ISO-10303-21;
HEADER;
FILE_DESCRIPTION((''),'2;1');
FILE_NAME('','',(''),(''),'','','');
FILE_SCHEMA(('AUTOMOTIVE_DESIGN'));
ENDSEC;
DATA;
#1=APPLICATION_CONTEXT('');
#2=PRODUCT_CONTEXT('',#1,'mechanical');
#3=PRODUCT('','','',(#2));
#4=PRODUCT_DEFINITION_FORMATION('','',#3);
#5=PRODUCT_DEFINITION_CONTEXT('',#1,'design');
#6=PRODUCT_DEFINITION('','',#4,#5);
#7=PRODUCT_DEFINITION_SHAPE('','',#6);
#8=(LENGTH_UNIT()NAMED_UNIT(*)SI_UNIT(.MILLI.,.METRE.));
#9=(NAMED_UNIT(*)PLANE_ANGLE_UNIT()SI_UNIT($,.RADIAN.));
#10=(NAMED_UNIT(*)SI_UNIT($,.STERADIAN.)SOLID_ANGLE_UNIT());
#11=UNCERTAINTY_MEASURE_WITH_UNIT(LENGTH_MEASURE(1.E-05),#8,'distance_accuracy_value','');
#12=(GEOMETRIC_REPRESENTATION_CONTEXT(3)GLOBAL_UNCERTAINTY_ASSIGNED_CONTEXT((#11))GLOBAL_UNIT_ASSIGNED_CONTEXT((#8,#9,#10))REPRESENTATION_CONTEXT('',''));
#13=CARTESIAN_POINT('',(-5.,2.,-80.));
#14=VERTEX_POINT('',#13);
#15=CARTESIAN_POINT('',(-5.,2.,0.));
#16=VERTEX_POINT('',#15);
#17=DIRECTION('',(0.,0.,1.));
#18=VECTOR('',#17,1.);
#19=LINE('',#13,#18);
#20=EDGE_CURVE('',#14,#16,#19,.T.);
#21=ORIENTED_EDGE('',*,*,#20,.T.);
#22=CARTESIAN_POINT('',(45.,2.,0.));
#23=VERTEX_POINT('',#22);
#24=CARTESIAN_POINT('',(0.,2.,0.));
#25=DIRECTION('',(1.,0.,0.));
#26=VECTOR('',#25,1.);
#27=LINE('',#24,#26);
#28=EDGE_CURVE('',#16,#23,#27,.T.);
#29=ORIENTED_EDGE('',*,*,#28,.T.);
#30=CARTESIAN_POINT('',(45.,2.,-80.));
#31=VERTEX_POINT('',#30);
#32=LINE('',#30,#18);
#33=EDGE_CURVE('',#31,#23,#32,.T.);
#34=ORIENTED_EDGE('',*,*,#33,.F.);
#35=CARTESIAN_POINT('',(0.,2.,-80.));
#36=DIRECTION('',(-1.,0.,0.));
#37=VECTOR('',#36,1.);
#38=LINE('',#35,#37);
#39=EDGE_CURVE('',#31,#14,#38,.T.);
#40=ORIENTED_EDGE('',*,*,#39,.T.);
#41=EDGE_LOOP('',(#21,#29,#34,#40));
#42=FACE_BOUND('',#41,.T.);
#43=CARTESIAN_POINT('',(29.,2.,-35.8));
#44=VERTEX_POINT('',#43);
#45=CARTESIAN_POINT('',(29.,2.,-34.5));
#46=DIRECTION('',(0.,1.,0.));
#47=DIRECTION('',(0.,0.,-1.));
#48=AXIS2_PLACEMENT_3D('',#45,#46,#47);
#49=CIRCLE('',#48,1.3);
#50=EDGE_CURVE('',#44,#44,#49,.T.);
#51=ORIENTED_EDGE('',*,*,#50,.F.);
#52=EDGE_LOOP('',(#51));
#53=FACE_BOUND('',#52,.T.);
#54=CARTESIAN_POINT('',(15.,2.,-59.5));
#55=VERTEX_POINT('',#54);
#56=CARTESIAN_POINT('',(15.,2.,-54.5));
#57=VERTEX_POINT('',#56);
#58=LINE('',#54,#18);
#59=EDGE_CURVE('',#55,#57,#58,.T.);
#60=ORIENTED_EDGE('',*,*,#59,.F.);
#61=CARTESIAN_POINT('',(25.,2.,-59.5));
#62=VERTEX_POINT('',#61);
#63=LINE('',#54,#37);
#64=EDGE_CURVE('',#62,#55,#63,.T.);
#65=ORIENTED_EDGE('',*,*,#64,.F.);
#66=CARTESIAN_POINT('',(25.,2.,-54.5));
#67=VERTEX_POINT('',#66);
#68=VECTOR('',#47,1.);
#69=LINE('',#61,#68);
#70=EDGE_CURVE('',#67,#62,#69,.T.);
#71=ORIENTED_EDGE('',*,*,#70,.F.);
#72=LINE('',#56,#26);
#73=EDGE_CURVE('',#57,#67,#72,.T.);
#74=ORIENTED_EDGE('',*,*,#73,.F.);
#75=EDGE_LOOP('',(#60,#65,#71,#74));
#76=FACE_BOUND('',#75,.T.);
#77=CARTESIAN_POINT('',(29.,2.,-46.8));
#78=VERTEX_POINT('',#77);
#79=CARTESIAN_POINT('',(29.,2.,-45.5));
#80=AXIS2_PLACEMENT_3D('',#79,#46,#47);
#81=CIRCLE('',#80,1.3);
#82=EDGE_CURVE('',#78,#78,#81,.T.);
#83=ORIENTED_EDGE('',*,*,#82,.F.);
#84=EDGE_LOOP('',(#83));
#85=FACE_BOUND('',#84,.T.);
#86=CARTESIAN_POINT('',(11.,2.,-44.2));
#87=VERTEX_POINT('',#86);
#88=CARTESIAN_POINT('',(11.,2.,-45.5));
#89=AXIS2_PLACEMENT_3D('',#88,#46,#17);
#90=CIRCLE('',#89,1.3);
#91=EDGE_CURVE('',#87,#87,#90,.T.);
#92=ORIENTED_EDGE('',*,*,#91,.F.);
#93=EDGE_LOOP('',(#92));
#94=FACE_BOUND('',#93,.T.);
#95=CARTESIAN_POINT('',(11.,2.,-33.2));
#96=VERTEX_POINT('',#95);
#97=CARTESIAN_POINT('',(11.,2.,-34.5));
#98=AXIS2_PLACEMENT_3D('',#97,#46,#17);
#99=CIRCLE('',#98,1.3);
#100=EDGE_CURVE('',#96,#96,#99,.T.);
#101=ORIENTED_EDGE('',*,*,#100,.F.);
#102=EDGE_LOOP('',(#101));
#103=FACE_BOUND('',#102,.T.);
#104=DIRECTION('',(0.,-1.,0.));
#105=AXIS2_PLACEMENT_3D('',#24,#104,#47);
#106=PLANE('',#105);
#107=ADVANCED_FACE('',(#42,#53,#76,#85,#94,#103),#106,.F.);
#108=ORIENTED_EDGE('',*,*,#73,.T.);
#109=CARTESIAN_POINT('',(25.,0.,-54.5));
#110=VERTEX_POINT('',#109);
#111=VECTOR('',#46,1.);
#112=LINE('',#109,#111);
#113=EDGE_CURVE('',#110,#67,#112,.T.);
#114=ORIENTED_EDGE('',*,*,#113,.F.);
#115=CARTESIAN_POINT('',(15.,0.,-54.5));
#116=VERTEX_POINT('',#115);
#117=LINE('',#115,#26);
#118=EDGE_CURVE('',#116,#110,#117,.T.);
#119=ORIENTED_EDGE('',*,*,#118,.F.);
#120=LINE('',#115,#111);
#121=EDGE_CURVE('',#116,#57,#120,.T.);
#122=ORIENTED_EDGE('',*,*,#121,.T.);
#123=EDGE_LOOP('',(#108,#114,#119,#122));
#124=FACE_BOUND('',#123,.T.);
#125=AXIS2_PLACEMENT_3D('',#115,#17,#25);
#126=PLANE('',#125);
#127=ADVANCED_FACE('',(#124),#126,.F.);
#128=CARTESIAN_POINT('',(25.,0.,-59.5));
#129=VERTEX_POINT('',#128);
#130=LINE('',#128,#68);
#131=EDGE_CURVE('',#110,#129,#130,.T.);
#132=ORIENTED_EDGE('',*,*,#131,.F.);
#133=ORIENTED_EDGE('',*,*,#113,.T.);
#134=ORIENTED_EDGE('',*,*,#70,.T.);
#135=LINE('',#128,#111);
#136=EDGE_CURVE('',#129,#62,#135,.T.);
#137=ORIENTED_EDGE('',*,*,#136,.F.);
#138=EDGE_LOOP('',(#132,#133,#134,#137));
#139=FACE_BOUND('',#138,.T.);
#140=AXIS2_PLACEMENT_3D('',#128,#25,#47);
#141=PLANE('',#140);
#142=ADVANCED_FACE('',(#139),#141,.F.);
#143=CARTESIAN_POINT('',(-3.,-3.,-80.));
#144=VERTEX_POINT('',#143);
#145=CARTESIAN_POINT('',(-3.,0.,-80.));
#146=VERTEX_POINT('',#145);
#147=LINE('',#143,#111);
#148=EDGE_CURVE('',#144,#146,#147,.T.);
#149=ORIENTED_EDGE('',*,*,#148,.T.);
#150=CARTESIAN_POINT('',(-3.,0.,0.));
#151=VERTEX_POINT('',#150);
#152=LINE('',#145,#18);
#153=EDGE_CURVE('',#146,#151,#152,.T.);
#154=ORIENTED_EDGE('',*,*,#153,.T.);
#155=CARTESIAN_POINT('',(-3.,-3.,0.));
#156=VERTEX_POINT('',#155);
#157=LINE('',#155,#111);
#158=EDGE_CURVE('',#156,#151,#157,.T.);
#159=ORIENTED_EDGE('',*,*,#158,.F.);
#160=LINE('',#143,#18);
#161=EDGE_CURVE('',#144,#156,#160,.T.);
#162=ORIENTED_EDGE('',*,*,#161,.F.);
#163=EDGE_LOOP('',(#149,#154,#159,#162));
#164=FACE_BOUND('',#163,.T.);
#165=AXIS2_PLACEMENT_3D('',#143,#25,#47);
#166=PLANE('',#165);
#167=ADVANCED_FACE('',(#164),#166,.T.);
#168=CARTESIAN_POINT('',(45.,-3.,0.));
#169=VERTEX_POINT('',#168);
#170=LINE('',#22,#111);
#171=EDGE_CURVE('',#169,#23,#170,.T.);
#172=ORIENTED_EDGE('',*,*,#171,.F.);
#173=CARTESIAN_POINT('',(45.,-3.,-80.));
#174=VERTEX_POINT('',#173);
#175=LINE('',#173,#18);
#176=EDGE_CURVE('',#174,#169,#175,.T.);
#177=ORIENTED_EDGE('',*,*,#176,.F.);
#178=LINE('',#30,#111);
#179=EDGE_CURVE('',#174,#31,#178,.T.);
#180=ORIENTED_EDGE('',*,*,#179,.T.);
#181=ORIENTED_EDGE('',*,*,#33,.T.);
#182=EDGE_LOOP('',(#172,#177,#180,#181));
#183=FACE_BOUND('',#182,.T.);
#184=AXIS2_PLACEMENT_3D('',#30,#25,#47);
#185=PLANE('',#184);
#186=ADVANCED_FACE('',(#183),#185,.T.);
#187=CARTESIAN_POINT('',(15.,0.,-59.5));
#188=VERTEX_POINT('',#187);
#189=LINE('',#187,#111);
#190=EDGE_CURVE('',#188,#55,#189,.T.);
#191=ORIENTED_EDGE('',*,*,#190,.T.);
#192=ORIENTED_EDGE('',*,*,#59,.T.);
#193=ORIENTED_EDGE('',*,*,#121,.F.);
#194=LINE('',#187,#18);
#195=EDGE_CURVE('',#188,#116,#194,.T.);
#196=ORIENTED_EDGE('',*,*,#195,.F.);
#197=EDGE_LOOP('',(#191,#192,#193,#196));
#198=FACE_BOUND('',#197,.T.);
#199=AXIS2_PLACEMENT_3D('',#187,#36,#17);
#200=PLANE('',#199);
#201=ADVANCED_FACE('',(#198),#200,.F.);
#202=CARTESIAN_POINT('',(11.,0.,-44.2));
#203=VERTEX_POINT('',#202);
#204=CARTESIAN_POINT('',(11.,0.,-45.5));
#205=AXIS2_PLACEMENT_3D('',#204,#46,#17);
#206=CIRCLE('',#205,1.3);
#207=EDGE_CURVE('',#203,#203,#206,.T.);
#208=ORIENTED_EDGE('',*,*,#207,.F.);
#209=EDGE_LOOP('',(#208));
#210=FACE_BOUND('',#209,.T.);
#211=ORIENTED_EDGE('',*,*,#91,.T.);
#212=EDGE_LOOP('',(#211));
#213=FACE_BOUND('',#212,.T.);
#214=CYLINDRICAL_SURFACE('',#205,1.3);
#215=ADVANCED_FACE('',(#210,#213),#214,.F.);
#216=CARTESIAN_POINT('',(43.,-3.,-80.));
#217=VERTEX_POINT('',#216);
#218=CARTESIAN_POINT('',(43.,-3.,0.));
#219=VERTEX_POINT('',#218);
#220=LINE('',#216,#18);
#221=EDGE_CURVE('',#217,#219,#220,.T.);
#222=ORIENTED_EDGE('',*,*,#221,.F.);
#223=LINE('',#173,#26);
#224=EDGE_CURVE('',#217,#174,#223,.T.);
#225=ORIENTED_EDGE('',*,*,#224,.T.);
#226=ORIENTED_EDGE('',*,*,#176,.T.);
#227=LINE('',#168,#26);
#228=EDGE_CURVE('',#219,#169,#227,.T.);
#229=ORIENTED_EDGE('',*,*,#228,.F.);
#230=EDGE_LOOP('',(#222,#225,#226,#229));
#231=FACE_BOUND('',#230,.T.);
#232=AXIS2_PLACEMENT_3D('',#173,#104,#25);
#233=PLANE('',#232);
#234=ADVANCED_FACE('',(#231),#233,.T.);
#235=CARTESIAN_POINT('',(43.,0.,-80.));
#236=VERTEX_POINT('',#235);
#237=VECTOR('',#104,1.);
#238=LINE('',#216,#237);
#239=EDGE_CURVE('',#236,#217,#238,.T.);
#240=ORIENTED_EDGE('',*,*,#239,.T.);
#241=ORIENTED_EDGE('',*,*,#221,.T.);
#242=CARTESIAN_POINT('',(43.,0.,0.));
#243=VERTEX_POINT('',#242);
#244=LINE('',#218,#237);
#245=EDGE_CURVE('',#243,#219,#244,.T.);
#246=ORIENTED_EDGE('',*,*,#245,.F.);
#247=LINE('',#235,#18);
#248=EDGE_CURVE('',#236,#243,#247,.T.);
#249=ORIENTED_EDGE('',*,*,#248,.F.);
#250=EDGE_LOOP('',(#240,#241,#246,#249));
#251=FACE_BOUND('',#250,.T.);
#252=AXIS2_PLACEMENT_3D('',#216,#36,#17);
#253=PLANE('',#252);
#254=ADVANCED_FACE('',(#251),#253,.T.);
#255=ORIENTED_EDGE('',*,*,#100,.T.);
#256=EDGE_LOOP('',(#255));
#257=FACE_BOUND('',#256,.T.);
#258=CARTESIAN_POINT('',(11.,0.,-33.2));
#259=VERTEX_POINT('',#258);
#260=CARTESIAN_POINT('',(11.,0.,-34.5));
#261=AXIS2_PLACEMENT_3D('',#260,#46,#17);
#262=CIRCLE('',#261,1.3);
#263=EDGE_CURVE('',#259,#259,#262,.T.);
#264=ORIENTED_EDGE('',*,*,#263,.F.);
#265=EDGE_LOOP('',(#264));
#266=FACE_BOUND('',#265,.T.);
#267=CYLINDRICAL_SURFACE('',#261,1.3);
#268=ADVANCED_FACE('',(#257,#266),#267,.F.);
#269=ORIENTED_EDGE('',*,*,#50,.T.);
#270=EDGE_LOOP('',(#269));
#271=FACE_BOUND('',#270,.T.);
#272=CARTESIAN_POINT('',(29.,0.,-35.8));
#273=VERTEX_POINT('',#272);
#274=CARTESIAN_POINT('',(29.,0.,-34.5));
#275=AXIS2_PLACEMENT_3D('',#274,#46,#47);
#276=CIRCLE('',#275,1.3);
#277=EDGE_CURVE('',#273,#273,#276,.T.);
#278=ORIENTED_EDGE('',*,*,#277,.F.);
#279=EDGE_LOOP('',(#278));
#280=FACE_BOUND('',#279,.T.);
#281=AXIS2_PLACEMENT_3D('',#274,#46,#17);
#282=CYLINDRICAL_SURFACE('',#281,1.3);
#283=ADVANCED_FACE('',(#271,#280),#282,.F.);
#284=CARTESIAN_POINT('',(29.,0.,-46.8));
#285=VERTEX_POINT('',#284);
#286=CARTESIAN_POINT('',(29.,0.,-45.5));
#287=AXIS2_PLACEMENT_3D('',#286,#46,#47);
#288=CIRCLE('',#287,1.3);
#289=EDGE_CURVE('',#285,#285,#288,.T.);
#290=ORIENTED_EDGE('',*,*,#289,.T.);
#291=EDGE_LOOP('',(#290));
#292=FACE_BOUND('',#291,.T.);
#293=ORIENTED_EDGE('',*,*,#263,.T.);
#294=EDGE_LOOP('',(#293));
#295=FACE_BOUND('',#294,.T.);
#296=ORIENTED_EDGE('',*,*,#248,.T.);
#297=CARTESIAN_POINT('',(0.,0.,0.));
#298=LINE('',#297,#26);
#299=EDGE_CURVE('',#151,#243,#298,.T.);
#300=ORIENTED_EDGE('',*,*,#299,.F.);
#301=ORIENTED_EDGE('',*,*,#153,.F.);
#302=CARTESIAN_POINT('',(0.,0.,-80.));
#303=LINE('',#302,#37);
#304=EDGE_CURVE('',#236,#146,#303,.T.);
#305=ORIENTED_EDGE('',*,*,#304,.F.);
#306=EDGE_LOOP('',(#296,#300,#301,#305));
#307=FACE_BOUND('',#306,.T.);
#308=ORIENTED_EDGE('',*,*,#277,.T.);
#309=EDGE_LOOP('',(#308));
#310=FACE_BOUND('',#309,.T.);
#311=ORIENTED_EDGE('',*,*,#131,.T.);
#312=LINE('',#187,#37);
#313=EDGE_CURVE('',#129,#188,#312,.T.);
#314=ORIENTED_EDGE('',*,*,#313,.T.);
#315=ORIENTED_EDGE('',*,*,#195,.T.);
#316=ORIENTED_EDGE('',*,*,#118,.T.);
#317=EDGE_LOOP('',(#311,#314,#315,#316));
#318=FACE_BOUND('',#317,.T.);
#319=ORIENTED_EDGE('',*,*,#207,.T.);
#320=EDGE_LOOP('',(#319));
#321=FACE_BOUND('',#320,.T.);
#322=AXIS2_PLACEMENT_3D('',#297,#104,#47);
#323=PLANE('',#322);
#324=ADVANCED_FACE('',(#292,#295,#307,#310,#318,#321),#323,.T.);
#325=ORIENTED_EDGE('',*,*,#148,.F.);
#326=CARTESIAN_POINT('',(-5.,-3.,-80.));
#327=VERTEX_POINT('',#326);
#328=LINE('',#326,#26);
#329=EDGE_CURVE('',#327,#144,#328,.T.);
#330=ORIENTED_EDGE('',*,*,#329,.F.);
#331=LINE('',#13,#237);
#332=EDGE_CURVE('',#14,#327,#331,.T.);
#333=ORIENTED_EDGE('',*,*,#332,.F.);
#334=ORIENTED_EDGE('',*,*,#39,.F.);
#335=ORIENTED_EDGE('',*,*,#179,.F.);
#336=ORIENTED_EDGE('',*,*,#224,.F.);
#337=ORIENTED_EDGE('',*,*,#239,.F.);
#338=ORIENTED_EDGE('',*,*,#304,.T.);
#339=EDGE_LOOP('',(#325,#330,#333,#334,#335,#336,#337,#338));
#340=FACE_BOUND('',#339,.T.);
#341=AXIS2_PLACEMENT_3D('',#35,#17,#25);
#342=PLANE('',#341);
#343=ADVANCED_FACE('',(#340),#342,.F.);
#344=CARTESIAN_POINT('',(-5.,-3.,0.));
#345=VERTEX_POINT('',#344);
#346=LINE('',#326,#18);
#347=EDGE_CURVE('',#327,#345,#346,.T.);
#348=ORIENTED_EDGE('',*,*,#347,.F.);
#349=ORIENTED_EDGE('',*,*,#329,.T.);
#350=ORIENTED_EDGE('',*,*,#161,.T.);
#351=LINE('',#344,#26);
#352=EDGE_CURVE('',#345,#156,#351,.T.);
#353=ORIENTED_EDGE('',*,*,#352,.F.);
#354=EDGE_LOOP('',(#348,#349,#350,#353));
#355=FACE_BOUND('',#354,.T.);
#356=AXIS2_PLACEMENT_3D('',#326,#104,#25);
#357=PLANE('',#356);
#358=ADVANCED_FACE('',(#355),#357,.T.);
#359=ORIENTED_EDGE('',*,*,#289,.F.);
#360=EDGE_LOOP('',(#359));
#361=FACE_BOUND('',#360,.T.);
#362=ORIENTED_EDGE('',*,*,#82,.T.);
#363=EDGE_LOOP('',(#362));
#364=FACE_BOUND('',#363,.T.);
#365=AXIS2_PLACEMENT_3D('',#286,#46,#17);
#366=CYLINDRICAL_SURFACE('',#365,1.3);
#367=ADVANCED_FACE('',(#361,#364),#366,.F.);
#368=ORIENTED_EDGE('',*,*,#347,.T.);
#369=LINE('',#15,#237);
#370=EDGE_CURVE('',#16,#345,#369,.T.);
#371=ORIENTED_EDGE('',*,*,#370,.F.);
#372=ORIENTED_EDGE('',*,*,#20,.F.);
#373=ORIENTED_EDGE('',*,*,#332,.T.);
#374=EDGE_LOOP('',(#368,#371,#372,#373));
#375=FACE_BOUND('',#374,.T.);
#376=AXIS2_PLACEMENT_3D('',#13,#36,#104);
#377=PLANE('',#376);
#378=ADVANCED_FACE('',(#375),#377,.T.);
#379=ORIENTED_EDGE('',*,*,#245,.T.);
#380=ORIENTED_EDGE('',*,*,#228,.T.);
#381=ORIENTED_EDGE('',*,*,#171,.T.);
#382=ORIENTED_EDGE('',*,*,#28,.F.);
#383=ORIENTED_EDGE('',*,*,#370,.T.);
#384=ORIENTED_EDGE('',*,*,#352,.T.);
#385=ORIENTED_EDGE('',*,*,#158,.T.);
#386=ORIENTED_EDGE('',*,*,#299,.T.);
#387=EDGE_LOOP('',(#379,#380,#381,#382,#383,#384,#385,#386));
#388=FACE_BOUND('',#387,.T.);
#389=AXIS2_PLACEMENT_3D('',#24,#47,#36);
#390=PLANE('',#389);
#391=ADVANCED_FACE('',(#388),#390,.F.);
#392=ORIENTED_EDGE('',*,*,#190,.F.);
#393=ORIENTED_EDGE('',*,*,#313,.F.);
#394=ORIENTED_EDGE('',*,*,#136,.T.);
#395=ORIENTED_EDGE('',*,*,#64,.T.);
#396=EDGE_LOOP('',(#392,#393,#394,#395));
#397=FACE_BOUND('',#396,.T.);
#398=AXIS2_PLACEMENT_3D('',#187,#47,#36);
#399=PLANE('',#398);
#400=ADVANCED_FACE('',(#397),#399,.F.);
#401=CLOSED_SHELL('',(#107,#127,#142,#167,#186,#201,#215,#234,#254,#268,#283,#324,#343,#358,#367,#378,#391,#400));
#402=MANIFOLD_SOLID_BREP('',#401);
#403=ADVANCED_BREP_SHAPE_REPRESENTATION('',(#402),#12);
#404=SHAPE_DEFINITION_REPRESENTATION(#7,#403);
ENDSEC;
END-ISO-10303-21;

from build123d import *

# Parameters (mm, degrees)
SKETCH1_W           = 40
SKETCH1_H           = 80
BOSS_EXTRUDE1_DEPTH = 2
BOSS_EXTRUDE2_DEPTH = 80
SKETCH3_R           = 1.3
SKETCH3_W           = 10
SKETCH3_H           = 5
CUT_EXTRUDE1_DEPTH  = 2


with BuildPart() as part:
    # Sketch1 → Boss-Extrude1 (new body)
    with BuildSketch(Plane(origin=(0, 0, 0), x_dir=(1, 0, 0), z_dir=(0, 1, 0))):
        with Locations((20, 40)):
            Rectangle(SKETCH1_W, SKETCH1_H)
    extrude(amount=BOSS_EXTRUDE1_DEPTH)

    # Sketch2 → Boss-Extrude2 (add)
    with BuildSketch(Plane.XY):
        Polygon((0, 2), (-5, 2), (-5, -3), (-3, -3), (-3, 0), (0, 0), align=None)
        Polygon((43, 0), (40, 0), (40, 2), (45, 2), (45, -3), (43, -3), align=None)
    extrude(amount=-BOSS_EXTRUDE2_DEPTH)

    # Sketch3 → Cut-Extrude1 (cut)
    with BuildSketch(Plane(origin=(0, 2, 0), x_dir=(1, 0, 0), z_dir=(0, 1, 0))):
        with Locations(Location((11, 45.5, 0), (0, 0, 270))):
            Circle(SKETCH3_R)
        with Locations(Location((11, 34.5, 0), (0, 0, 270))):
            Circle(SKETCH3_R)
        with Locations(Location((29, 45.5, 0), (0, 0, 90))):
            Circle(SKETCH3_R)
        with Locations(Location((29, 34.5, 0), (0, 0, 90))):
            Circle(SKETCH3_R)
        with Locations((20, 57)):
            Rectangle(SKETCH3_W, SKETCH3_H)
    extrude(amount=-CUT_EXTRUDE1_DEPTH, mode=Mode.SUBTRACT)


solid = part.part
